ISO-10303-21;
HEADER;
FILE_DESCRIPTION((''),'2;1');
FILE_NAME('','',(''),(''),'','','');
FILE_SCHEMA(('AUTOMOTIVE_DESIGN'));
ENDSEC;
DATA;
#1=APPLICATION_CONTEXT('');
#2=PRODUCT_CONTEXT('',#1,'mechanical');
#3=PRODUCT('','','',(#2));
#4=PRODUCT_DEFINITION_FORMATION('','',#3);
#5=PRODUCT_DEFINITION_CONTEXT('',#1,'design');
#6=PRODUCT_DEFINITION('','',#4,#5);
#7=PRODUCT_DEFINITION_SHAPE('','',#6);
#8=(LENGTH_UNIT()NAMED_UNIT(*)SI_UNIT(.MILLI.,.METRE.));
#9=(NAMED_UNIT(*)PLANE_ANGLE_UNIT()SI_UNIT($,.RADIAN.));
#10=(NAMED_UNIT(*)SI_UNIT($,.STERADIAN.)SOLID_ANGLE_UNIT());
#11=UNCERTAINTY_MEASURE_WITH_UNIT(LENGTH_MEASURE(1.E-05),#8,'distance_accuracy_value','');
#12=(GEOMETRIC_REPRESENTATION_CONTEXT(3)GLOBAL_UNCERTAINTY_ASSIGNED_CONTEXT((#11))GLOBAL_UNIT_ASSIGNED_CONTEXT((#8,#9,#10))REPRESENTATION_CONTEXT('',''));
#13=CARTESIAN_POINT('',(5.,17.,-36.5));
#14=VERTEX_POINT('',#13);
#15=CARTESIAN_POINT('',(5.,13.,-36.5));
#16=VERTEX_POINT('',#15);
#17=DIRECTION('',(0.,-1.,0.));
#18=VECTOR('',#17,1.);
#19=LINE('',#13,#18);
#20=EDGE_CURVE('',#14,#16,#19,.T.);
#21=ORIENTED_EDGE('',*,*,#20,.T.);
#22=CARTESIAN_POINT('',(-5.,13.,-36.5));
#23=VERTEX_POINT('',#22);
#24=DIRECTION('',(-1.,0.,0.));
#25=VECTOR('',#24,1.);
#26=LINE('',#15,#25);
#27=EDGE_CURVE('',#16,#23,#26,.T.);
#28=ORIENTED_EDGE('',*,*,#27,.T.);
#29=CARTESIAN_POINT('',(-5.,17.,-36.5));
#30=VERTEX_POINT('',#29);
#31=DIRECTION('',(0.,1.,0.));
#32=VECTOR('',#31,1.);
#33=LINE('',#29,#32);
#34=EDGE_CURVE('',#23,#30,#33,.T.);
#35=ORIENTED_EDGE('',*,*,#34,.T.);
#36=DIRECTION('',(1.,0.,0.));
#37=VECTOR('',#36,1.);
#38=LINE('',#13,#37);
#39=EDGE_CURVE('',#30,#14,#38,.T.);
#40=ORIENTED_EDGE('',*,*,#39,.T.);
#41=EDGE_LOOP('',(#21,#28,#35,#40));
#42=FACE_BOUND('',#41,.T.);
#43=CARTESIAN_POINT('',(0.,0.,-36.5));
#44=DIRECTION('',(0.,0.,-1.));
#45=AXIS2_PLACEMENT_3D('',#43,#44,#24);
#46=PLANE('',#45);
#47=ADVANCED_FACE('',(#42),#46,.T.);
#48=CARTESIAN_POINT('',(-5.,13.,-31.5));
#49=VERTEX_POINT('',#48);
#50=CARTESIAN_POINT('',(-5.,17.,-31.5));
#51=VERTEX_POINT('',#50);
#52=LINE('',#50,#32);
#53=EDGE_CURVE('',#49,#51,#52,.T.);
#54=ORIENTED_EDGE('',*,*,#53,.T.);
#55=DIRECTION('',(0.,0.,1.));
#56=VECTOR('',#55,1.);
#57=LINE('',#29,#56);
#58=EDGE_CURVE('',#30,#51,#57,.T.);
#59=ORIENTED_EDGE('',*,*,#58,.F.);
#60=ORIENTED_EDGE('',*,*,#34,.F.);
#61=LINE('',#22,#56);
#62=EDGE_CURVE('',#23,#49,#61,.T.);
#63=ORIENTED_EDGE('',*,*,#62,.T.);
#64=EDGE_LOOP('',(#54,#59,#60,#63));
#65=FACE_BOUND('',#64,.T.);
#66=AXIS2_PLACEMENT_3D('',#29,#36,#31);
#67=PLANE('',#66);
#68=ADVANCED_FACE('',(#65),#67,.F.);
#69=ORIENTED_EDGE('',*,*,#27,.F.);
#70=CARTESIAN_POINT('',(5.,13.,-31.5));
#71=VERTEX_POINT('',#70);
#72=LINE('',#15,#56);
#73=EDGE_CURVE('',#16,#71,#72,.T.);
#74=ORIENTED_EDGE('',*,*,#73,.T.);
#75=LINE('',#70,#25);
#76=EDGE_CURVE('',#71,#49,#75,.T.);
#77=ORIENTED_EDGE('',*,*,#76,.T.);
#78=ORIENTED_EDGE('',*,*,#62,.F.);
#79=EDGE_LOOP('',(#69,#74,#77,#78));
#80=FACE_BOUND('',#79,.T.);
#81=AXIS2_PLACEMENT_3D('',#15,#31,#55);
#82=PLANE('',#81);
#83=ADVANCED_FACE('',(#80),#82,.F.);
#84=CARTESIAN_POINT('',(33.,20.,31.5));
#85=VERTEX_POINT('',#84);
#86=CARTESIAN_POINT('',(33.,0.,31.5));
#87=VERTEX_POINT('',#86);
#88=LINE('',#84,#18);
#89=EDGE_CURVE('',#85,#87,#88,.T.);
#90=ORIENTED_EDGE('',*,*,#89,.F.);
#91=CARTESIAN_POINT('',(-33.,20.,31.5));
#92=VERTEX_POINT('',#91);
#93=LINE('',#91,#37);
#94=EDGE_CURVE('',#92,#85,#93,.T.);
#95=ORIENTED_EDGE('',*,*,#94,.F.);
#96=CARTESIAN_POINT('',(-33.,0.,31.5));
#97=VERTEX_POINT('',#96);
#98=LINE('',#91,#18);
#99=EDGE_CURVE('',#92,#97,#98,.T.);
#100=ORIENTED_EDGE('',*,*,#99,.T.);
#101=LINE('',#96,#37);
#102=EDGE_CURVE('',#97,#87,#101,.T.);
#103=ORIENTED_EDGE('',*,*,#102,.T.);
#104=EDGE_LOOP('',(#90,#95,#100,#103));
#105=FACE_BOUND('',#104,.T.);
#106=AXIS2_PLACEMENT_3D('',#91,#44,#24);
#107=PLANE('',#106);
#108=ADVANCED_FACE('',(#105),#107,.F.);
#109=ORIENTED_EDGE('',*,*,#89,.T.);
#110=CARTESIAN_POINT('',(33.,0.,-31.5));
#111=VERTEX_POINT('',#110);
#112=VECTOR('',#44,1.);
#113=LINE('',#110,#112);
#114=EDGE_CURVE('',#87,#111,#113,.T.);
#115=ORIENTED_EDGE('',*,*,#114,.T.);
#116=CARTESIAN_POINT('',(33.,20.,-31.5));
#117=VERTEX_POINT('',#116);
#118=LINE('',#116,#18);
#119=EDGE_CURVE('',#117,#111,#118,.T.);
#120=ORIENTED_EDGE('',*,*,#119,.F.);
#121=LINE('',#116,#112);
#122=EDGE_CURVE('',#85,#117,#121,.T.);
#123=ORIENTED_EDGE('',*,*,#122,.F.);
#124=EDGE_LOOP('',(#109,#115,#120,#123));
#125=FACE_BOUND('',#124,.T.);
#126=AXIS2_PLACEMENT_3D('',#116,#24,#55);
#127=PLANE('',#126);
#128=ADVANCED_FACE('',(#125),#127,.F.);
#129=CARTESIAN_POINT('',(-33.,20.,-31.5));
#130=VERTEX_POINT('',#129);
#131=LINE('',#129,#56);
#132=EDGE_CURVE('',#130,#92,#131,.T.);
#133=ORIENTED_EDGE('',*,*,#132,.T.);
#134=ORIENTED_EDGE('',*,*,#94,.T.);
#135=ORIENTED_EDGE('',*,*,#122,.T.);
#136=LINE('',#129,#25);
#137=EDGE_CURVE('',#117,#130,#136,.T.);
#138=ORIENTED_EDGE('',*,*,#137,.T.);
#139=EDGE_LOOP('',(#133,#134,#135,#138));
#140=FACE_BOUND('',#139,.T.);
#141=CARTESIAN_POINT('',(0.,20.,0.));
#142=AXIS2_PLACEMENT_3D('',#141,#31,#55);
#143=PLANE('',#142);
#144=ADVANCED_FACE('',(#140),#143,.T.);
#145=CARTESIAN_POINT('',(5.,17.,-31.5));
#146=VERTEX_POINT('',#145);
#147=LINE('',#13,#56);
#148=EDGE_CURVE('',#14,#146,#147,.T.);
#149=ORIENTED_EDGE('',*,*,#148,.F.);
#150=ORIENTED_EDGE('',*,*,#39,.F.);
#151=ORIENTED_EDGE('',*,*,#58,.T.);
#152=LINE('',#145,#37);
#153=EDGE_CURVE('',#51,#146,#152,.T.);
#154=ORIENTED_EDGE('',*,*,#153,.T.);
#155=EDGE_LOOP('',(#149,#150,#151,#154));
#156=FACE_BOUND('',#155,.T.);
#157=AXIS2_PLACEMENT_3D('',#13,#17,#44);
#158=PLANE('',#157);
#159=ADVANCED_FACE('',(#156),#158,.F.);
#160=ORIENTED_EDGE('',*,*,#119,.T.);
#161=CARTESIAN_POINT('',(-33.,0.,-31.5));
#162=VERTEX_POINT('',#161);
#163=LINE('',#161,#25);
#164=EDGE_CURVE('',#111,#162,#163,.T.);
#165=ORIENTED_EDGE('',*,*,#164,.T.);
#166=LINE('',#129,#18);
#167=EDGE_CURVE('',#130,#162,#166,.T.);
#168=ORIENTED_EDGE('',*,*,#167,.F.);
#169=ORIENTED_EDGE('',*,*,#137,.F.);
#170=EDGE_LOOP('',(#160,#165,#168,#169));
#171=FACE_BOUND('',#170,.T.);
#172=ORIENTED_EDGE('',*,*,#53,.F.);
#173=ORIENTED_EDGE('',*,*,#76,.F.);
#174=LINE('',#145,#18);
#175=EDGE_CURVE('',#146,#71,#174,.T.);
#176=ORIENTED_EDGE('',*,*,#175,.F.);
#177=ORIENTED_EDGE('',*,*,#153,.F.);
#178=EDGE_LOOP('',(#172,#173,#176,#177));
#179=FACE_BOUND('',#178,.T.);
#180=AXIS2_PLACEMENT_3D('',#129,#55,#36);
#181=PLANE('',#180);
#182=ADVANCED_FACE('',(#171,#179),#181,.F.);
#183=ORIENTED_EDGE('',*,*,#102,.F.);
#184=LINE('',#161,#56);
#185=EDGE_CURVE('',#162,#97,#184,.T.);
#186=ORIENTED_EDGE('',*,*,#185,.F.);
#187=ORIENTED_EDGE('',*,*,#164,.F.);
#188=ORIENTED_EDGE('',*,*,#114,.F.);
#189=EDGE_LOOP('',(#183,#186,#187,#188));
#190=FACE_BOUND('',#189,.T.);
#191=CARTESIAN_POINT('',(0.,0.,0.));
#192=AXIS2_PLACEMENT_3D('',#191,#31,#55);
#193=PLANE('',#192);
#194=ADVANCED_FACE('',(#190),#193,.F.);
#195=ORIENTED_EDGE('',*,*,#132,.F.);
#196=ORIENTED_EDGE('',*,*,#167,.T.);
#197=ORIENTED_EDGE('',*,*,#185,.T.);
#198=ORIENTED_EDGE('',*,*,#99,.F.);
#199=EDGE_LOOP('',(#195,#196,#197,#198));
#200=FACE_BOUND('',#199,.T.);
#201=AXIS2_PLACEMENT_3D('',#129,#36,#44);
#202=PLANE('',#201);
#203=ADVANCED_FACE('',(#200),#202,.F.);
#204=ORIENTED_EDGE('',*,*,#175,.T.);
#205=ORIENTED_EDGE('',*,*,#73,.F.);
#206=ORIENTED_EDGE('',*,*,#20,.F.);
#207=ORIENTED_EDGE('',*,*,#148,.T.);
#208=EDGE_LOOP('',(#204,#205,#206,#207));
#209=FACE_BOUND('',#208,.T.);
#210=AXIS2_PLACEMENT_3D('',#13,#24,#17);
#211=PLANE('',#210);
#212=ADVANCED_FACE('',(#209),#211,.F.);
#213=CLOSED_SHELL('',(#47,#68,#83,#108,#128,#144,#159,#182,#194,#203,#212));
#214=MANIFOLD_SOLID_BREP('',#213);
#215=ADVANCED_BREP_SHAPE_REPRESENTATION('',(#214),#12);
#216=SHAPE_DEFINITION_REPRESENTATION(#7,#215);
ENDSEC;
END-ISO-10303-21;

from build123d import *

# Parameters (mm, degrees)
SKETCH1_W           = 66
SKETCH1_H           = 63
BOSS_EXTRUDE1_DEPTH = 20
SKETCH2_W           = 10
SKETCH2_H           = 4
BOSS_EXTRUDE2_DEPTH = 5


with BuildPart() as part:
    # Sketch1 → Boss-Extrude1 (new body)
    with BuildSketch(Plane(origin=(0, 0, 0), x_dir=(1, 0, 0), z_dir=(0, 1, 0))):
        Rectangle(SKETCH1_W, SKETCH1_H)
    extrude(amount=BOSS_EXTRUDE1_DEPTH)

    # Sketch2 → Boss-Extrude2 (add)
    with BuildSketch(Plane(origin=(0, 0, -31.5), x_dir=(-1, 0, 0), z_dir=(0, 0, -1))):
        with Locations((0, 15)):
            Rectangle(SKETCH2_W, SKETCH2_H)
    extrude(amount=BOSS_EXTRUDE2_DEPTH)


solid = part.part
